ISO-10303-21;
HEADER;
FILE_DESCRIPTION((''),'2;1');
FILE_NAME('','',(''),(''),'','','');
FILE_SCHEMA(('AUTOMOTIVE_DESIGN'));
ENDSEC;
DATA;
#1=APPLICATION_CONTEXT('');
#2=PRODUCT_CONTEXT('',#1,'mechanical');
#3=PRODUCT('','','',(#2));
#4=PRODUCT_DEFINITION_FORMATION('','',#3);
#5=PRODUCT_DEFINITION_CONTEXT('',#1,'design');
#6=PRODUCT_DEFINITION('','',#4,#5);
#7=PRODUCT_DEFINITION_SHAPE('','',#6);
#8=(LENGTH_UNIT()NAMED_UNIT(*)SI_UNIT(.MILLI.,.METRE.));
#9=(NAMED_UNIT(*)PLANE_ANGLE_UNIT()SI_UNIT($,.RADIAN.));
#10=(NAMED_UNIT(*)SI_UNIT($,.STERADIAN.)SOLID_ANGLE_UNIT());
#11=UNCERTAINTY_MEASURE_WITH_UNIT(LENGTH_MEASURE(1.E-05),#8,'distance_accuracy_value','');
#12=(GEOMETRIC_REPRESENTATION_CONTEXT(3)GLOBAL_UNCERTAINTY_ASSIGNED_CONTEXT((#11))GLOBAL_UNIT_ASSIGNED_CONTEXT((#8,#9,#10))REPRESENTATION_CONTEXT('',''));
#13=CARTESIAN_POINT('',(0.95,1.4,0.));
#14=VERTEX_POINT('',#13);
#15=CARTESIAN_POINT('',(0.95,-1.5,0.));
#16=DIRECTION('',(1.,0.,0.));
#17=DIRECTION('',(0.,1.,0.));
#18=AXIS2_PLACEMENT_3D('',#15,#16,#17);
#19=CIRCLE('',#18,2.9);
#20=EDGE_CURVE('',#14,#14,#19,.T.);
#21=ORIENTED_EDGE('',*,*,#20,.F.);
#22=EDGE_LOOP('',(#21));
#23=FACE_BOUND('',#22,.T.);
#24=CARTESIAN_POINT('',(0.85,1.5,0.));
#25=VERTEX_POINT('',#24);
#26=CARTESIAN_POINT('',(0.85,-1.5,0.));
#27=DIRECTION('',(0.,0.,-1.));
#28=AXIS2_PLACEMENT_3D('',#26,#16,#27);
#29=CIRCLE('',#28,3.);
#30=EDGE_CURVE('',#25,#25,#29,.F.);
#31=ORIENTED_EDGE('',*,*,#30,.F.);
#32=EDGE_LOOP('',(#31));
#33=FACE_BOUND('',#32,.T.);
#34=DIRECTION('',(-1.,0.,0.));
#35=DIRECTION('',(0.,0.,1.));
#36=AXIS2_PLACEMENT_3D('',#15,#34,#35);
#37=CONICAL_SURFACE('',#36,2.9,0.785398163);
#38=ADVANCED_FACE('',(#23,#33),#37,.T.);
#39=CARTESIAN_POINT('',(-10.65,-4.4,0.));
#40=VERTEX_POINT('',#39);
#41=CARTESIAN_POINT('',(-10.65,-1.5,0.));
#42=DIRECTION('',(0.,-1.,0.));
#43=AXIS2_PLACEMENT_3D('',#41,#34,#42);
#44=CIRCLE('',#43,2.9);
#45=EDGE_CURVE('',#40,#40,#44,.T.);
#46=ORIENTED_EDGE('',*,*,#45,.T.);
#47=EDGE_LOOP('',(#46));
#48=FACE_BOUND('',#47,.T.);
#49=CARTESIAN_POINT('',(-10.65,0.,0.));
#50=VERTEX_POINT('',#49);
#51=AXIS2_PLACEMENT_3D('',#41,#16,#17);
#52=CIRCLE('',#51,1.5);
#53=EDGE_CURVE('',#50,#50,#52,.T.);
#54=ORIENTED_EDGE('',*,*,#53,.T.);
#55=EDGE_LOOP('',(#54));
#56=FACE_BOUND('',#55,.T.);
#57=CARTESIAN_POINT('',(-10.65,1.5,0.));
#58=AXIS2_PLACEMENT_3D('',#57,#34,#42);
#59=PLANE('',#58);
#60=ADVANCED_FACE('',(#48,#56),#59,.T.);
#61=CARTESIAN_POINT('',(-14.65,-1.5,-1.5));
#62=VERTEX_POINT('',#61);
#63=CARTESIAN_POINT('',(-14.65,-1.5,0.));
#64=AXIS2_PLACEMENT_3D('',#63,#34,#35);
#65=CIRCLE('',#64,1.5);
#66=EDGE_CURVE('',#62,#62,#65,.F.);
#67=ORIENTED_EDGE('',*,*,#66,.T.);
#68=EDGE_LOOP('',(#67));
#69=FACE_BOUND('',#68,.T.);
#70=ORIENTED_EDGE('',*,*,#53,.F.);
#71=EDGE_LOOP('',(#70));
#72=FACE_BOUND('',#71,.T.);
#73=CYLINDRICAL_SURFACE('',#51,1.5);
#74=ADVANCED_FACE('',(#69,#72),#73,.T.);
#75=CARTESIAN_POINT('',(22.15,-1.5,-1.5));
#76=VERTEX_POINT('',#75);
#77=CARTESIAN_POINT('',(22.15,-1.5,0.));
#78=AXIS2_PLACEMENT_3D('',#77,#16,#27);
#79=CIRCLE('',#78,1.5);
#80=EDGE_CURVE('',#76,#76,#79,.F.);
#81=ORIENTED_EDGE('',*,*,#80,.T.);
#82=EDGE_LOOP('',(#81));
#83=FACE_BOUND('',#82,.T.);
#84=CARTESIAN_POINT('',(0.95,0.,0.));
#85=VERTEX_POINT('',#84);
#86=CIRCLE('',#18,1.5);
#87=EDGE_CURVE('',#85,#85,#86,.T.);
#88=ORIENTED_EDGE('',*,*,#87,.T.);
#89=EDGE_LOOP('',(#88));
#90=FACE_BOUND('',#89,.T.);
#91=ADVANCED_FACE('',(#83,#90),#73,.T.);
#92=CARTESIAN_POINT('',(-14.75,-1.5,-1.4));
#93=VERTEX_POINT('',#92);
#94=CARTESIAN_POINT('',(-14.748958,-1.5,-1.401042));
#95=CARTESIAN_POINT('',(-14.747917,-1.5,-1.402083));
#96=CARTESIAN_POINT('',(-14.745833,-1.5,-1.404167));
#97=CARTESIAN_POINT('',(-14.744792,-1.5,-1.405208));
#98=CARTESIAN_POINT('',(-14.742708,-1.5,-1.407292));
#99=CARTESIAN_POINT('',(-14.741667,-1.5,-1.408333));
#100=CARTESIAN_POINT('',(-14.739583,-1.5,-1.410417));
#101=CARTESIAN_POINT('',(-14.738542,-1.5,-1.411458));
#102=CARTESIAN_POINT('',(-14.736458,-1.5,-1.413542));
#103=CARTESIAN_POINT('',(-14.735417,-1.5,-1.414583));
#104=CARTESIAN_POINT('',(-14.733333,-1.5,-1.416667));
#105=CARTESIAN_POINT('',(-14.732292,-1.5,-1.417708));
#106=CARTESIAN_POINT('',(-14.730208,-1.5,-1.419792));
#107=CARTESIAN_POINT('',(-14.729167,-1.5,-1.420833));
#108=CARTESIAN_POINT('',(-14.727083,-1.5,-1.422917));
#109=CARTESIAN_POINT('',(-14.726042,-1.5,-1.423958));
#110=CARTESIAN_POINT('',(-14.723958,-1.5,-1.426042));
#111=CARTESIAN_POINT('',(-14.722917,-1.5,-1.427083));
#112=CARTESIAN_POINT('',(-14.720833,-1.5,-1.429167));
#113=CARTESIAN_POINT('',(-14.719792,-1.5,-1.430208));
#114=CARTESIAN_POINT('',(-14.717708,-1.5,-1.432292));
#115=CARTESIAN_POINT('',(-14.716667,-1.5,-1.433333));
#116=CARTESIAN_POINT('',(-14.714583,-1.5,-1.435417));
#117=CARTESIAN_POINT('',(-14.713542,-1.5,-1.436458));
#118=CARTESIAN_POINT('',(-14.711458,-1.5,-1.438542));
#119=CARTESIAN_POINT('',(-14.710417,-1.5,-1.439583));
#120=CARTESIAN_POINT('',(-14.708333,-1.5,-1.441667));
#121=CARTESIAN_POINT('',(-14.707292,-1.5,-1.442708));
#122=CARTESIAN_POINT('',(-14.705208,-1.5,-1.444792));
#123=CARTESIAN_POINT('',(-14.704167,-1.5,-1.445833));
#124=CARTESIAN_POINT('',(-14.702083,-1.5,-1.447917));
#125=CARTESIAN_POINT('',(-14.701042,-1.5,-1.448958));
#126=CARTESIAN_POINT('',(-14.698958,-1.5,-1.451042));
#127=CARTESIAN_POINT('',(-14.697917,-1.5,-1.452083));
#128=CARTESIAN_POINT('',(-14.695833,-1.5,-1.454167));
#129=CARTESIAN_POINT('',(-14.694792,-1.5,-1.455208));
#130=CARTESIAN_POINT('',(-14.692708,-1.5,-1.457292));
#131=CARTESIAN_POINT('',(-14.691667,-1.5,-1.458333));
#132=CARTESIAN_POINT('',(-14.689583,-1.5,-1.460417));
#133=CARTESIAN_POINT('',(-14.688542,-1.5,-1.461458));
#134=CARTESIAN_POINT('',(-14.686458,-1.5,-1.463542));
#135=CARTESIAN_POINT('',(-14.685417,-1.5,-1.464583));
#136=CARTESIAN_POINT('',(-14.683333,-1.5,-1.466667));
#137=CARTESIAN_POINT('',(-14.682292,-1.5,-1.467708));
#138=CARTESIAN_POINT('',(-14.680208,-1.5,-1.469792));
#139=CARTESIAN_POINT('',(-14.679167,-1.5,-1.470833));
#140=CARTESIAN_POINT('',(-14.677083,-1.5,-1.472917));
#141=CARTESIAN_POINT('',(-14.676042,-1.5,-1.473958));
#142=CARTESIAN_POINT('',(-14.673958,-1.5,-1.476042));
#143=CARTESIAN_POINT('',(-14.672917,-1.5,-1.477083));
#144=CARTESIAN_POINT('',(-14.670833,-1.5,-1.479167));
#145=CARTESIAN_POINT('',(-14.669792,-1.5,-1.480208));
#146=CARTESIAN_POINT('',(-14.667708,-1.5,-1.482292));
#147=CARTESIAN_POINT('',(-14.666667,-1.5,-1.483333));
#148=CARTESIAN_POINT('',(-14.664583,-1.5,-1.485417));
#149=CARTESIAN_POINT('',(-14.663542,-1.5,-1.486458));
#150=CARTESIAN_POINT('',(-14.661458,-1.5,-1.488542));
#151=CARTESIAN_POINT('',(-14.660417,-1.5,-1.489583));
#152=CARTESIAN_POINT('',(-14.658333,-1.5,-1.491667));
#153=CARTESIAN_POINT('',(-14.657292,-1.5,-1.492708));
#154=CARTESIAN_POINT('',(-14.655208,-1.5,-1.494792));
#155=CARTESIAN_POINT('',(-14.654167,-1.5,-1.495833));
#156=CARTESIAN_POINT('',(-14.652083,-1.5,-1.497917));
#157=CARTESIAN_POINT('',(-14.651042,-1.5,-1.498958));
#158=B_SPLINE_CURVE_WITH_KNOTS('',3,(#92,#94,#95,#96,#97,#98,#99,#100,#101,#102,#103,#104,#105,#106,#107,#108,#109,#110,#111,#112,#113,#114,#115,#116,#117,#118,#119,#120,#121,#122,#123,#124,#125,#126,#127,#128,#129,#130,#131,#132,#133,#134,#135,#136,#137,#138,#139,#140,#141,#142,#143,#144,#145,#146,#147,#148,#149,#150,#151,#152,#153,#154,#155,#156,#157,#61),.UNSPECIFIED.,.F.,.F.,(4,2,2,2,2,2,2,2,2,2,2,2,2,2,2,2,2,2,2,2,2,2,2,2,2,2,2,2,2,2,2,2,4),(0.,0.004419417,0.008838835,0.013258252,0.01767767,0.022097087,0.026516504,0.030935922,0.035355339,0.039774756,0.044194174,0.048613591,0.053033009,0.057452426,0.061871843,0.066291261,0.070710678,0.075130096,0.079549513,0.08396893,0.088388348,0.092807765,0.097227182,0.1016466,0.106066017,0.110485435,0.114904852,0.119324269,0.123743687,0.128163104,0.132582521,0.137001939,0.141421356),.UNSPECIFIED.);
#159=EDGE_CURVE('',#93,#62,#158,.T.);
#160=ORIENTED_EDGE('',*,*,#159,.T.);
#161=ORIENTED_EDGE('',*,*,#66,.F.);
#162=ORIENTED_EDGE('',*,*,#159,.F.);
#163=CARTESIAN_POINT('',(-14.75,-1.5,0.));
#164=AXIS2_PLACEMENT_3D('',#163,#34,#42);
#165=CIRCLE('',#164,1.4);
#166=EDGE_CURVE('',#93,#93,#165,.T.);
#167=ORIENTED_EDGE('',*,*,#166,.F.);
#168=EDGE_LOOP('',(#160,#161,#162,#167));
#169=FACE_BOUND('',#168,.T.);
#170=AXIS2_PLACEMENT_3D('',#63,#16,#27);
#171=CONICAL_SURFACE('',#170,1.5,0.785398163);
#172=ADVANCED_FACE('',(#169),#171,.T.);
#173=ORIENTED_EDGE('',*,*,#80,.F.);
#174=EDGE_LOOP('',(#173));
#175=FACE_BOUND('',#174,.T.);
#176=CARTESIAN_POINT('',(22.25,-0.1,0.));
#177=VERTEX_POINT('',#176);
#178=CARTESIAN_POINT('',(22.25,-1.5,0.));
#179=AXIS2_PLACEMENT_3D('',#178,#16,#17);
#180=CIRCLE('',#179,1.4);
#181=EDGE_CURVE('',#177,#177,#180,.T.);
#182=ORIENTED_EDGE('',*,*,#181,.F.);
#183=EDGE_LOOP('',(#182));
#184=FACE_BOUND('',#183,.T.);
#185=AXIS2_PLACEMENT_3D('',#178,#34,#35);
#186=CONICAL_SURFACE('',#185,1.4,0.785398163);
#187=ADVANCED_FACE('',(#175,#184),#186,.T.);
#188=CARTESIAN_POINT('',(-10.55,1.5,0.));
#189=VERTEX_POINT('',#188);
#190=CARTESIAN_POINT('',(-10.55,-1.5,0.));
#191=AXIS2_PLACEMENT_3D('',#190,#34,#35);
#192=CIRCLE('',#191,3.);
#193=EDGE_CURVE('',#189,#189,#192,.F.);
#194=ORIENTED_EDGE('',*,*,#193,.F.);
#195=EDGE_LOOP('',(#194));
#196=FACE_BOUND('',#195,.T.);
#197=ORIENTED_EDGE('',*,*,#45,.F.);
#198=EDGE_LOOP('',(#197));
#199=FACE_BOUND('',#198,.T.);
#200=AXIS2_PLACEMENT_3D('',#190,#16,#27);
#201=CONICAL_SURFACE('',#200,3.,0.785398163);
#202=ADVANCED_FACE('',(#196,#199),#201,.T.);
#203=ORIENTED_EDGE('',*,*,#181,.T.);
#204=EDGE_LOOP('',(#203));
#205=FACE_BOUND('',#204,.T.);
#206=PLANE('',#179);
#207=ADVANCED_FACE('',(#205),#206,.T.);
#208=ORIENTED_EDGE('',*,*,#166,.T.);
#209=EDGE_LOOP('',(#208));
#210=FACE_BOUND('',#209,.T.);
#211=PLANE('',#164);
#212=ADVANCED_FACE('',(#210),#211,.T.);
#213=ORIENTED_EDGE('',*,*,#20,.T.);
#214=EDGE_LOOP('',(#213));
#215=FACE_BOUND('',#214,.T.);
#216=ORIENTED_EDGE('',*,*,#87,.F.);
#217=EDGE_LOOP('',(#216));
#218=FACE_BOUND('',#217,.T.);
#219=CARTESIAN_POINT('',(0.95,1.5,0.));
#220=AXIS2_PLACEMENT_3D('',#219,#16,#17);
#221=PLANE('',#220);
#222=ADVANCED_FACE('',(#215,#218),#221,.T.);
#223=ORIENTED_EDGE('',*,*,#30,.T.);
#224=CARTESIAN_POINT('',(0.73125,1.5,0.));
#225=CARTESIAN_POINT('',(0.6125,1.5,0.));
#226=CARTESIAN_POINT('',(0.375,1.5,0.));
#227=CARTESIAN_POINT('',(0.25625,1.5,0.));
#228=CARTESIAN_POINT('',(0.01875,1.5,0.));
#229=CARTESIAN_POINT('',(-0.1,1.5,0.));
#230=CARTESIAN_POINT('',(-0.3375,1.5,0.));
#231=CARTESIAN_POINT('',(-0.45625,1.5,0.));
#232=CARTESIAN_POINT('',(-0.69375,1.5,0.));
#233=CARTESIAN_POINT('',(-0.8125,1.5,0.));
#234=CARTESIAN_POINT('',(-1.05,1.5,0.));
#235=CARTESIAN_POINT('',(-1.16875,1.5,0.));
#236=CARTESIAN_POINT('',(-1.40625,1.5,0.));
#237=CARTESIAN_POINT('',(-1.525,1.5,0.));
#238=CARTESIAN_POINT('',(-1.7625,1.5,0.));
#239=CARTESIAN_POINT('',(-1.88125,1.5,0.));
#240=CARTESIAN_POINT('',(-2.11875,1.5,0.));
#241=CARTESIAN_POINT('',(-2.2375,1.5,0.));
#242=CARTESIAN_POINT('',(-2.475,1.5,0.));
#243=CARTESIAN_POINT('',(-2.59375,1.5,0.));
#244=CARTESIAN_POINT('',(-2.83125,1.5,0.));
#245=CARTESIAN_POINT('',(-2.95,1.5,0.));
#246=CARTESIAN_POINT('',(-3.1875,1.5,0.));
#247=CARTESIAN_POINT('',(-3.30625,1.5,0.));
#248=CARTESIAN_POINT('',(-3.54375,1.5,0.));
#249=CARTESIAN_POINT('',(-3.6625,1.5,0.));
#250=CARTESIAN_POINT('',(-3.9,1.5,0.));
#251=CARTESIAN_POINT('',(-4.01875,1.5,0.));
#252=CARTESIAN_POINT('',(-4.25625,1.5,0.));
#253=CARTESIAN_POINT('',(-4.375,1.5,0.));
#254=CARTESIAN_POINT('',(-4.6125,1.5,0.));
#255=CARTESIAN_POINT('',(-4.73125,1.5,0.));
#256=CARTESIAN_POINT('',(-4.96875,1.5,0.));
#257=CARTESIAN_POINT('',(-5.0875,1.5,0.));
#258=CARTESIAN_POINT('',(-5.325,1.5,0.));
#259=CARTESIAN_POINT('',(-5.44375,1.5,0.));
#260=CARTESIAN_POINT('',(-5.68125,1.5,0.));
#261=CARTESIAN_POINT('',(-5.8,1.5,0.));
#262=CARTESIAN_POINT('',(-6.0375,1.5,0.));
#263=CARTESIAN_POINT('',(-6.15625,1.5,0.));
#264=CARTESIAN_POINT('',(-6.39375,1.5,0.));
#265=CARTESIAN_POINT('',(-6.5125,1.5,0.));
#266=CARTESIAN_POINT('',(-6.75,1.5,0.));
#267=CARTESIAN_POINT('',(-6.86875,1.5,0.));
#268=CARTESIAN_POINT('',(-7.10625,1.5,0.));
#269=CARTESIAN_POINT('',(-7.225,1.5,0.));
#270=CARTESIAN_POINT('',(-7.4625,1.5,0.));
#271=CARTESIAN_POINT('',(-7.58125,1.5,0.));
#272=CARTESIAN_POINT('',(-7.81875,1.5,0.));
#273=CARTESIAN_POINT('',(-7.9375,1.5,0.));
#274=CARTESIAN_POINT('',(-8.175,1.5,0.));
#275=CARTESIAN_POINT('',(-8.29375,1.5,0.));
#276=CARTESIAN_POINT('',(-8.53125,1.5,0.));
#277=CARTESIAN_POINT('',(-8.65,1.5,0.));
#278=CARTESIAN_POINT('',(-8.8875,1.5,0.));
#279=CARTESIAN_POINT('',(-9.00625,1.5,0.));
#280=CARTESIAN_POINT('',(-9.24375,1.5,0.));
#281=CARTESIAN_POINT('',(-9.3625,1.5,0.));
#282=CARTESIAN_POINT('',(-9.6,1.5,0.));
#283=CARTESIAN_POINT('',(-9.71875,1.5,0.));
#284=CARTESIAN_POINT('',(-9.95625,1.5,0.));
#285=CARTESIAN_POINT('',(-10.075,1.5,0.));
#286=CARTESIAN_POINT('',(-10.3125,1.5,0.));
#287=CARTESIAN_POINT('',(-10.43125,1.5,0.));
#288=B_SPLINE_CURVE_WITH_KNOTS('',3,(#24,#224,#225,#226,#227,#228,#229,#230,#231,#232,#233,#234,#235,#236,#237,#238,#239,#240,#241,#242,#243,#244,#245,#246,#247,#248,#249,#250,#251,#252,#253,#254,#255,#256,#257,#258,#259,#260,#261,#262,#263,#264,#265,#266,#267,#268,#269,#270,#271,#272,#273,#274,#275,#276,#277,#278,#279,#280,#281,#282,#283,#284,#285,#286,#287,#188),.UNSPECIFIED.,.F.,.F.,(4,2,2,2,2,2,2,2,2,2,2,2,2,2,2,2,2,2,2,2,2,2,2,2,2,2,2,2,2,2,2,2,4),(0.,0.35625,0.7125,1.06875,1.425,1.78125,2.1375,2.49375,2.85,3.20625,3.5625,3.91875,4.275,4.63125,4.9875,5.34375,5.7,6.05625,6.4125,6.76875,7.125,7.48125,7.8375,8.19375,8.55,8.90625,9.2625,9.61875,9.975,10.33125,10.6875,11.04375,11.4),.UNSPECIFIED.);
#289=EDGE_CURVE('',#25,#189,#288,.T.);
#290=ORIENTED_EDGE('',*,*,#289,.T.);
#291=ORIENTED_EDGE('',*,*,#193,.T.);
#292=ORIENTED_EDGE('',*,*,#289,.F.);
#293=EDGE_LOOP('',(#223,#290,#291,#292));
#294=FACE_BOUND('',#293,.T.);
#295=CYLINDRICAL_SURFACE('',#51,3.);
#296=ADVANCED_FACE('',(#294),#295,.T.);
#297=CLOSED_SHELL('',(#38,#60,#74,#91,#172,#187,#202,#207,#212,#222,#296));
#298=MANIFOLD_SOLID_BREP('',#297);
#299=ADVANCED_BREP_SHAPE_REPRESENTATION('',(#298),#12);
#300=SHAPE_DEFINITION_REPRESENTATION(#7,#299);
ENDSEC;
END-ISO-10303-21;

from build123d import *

# Parameters (mm, degrees)
CHAMFER3_SIZE = 0.1
CHAMFER4_SIZE = 0.1
CHAMFER5_SIZE = 0.1
CHAMFER6_SIZE = 0.1


with BuildPart() as part:
    # Sketch1 → Revolve2 (revolve)
    with BuildSketch(Plane.XY):
        Polygon((-10.65, 1.5), (0.95, 1.5), (0.95, 0), (22.25, 0), (22.25, -1.5), (0.95, -1.5), (-10.65, -1.5), (-14.75, -1.5), (-14.75, 0), (-10.65, 0), align=None)
    revolve(axis=Axis((-10.65, -1.5, 0), (-1, 0, 0)))

    # Chamfer3
    chamfer3_edges = [part.edges().sort_by_distance(p)[0] for p in [
        (-14.75, -3, 0),
    ]]
    chamfer(chamfer3_edges, length=CHAMFER3_SIZE)

    # Chamfer4
    chamfer4_edges = [part.edges().sort_by_distance(p)[0] for p in [
        (-10.65, -4.5, 0),
    ]]
    chamfer(chamfer4_edges, length=CHAMFER4_SIZE)

    # Chamfer5
    chamfer5_edges = [part.edges().sort_by_distance(p)[0] for p in [
        (0.95, -4.5, 0),
    ]]
    chamfer(chamfer5_edges, length=CHAMFER5_SIZE)

    # Chamfer6
    chamfer6_edges = [part.edges().sort_by_distance(p)[0] for p in [
        (22.25, -3, 0),
    ]]
    chamfer(chamfer6_edges, length=CHAMFER6_SIZE)


solid = part.part
